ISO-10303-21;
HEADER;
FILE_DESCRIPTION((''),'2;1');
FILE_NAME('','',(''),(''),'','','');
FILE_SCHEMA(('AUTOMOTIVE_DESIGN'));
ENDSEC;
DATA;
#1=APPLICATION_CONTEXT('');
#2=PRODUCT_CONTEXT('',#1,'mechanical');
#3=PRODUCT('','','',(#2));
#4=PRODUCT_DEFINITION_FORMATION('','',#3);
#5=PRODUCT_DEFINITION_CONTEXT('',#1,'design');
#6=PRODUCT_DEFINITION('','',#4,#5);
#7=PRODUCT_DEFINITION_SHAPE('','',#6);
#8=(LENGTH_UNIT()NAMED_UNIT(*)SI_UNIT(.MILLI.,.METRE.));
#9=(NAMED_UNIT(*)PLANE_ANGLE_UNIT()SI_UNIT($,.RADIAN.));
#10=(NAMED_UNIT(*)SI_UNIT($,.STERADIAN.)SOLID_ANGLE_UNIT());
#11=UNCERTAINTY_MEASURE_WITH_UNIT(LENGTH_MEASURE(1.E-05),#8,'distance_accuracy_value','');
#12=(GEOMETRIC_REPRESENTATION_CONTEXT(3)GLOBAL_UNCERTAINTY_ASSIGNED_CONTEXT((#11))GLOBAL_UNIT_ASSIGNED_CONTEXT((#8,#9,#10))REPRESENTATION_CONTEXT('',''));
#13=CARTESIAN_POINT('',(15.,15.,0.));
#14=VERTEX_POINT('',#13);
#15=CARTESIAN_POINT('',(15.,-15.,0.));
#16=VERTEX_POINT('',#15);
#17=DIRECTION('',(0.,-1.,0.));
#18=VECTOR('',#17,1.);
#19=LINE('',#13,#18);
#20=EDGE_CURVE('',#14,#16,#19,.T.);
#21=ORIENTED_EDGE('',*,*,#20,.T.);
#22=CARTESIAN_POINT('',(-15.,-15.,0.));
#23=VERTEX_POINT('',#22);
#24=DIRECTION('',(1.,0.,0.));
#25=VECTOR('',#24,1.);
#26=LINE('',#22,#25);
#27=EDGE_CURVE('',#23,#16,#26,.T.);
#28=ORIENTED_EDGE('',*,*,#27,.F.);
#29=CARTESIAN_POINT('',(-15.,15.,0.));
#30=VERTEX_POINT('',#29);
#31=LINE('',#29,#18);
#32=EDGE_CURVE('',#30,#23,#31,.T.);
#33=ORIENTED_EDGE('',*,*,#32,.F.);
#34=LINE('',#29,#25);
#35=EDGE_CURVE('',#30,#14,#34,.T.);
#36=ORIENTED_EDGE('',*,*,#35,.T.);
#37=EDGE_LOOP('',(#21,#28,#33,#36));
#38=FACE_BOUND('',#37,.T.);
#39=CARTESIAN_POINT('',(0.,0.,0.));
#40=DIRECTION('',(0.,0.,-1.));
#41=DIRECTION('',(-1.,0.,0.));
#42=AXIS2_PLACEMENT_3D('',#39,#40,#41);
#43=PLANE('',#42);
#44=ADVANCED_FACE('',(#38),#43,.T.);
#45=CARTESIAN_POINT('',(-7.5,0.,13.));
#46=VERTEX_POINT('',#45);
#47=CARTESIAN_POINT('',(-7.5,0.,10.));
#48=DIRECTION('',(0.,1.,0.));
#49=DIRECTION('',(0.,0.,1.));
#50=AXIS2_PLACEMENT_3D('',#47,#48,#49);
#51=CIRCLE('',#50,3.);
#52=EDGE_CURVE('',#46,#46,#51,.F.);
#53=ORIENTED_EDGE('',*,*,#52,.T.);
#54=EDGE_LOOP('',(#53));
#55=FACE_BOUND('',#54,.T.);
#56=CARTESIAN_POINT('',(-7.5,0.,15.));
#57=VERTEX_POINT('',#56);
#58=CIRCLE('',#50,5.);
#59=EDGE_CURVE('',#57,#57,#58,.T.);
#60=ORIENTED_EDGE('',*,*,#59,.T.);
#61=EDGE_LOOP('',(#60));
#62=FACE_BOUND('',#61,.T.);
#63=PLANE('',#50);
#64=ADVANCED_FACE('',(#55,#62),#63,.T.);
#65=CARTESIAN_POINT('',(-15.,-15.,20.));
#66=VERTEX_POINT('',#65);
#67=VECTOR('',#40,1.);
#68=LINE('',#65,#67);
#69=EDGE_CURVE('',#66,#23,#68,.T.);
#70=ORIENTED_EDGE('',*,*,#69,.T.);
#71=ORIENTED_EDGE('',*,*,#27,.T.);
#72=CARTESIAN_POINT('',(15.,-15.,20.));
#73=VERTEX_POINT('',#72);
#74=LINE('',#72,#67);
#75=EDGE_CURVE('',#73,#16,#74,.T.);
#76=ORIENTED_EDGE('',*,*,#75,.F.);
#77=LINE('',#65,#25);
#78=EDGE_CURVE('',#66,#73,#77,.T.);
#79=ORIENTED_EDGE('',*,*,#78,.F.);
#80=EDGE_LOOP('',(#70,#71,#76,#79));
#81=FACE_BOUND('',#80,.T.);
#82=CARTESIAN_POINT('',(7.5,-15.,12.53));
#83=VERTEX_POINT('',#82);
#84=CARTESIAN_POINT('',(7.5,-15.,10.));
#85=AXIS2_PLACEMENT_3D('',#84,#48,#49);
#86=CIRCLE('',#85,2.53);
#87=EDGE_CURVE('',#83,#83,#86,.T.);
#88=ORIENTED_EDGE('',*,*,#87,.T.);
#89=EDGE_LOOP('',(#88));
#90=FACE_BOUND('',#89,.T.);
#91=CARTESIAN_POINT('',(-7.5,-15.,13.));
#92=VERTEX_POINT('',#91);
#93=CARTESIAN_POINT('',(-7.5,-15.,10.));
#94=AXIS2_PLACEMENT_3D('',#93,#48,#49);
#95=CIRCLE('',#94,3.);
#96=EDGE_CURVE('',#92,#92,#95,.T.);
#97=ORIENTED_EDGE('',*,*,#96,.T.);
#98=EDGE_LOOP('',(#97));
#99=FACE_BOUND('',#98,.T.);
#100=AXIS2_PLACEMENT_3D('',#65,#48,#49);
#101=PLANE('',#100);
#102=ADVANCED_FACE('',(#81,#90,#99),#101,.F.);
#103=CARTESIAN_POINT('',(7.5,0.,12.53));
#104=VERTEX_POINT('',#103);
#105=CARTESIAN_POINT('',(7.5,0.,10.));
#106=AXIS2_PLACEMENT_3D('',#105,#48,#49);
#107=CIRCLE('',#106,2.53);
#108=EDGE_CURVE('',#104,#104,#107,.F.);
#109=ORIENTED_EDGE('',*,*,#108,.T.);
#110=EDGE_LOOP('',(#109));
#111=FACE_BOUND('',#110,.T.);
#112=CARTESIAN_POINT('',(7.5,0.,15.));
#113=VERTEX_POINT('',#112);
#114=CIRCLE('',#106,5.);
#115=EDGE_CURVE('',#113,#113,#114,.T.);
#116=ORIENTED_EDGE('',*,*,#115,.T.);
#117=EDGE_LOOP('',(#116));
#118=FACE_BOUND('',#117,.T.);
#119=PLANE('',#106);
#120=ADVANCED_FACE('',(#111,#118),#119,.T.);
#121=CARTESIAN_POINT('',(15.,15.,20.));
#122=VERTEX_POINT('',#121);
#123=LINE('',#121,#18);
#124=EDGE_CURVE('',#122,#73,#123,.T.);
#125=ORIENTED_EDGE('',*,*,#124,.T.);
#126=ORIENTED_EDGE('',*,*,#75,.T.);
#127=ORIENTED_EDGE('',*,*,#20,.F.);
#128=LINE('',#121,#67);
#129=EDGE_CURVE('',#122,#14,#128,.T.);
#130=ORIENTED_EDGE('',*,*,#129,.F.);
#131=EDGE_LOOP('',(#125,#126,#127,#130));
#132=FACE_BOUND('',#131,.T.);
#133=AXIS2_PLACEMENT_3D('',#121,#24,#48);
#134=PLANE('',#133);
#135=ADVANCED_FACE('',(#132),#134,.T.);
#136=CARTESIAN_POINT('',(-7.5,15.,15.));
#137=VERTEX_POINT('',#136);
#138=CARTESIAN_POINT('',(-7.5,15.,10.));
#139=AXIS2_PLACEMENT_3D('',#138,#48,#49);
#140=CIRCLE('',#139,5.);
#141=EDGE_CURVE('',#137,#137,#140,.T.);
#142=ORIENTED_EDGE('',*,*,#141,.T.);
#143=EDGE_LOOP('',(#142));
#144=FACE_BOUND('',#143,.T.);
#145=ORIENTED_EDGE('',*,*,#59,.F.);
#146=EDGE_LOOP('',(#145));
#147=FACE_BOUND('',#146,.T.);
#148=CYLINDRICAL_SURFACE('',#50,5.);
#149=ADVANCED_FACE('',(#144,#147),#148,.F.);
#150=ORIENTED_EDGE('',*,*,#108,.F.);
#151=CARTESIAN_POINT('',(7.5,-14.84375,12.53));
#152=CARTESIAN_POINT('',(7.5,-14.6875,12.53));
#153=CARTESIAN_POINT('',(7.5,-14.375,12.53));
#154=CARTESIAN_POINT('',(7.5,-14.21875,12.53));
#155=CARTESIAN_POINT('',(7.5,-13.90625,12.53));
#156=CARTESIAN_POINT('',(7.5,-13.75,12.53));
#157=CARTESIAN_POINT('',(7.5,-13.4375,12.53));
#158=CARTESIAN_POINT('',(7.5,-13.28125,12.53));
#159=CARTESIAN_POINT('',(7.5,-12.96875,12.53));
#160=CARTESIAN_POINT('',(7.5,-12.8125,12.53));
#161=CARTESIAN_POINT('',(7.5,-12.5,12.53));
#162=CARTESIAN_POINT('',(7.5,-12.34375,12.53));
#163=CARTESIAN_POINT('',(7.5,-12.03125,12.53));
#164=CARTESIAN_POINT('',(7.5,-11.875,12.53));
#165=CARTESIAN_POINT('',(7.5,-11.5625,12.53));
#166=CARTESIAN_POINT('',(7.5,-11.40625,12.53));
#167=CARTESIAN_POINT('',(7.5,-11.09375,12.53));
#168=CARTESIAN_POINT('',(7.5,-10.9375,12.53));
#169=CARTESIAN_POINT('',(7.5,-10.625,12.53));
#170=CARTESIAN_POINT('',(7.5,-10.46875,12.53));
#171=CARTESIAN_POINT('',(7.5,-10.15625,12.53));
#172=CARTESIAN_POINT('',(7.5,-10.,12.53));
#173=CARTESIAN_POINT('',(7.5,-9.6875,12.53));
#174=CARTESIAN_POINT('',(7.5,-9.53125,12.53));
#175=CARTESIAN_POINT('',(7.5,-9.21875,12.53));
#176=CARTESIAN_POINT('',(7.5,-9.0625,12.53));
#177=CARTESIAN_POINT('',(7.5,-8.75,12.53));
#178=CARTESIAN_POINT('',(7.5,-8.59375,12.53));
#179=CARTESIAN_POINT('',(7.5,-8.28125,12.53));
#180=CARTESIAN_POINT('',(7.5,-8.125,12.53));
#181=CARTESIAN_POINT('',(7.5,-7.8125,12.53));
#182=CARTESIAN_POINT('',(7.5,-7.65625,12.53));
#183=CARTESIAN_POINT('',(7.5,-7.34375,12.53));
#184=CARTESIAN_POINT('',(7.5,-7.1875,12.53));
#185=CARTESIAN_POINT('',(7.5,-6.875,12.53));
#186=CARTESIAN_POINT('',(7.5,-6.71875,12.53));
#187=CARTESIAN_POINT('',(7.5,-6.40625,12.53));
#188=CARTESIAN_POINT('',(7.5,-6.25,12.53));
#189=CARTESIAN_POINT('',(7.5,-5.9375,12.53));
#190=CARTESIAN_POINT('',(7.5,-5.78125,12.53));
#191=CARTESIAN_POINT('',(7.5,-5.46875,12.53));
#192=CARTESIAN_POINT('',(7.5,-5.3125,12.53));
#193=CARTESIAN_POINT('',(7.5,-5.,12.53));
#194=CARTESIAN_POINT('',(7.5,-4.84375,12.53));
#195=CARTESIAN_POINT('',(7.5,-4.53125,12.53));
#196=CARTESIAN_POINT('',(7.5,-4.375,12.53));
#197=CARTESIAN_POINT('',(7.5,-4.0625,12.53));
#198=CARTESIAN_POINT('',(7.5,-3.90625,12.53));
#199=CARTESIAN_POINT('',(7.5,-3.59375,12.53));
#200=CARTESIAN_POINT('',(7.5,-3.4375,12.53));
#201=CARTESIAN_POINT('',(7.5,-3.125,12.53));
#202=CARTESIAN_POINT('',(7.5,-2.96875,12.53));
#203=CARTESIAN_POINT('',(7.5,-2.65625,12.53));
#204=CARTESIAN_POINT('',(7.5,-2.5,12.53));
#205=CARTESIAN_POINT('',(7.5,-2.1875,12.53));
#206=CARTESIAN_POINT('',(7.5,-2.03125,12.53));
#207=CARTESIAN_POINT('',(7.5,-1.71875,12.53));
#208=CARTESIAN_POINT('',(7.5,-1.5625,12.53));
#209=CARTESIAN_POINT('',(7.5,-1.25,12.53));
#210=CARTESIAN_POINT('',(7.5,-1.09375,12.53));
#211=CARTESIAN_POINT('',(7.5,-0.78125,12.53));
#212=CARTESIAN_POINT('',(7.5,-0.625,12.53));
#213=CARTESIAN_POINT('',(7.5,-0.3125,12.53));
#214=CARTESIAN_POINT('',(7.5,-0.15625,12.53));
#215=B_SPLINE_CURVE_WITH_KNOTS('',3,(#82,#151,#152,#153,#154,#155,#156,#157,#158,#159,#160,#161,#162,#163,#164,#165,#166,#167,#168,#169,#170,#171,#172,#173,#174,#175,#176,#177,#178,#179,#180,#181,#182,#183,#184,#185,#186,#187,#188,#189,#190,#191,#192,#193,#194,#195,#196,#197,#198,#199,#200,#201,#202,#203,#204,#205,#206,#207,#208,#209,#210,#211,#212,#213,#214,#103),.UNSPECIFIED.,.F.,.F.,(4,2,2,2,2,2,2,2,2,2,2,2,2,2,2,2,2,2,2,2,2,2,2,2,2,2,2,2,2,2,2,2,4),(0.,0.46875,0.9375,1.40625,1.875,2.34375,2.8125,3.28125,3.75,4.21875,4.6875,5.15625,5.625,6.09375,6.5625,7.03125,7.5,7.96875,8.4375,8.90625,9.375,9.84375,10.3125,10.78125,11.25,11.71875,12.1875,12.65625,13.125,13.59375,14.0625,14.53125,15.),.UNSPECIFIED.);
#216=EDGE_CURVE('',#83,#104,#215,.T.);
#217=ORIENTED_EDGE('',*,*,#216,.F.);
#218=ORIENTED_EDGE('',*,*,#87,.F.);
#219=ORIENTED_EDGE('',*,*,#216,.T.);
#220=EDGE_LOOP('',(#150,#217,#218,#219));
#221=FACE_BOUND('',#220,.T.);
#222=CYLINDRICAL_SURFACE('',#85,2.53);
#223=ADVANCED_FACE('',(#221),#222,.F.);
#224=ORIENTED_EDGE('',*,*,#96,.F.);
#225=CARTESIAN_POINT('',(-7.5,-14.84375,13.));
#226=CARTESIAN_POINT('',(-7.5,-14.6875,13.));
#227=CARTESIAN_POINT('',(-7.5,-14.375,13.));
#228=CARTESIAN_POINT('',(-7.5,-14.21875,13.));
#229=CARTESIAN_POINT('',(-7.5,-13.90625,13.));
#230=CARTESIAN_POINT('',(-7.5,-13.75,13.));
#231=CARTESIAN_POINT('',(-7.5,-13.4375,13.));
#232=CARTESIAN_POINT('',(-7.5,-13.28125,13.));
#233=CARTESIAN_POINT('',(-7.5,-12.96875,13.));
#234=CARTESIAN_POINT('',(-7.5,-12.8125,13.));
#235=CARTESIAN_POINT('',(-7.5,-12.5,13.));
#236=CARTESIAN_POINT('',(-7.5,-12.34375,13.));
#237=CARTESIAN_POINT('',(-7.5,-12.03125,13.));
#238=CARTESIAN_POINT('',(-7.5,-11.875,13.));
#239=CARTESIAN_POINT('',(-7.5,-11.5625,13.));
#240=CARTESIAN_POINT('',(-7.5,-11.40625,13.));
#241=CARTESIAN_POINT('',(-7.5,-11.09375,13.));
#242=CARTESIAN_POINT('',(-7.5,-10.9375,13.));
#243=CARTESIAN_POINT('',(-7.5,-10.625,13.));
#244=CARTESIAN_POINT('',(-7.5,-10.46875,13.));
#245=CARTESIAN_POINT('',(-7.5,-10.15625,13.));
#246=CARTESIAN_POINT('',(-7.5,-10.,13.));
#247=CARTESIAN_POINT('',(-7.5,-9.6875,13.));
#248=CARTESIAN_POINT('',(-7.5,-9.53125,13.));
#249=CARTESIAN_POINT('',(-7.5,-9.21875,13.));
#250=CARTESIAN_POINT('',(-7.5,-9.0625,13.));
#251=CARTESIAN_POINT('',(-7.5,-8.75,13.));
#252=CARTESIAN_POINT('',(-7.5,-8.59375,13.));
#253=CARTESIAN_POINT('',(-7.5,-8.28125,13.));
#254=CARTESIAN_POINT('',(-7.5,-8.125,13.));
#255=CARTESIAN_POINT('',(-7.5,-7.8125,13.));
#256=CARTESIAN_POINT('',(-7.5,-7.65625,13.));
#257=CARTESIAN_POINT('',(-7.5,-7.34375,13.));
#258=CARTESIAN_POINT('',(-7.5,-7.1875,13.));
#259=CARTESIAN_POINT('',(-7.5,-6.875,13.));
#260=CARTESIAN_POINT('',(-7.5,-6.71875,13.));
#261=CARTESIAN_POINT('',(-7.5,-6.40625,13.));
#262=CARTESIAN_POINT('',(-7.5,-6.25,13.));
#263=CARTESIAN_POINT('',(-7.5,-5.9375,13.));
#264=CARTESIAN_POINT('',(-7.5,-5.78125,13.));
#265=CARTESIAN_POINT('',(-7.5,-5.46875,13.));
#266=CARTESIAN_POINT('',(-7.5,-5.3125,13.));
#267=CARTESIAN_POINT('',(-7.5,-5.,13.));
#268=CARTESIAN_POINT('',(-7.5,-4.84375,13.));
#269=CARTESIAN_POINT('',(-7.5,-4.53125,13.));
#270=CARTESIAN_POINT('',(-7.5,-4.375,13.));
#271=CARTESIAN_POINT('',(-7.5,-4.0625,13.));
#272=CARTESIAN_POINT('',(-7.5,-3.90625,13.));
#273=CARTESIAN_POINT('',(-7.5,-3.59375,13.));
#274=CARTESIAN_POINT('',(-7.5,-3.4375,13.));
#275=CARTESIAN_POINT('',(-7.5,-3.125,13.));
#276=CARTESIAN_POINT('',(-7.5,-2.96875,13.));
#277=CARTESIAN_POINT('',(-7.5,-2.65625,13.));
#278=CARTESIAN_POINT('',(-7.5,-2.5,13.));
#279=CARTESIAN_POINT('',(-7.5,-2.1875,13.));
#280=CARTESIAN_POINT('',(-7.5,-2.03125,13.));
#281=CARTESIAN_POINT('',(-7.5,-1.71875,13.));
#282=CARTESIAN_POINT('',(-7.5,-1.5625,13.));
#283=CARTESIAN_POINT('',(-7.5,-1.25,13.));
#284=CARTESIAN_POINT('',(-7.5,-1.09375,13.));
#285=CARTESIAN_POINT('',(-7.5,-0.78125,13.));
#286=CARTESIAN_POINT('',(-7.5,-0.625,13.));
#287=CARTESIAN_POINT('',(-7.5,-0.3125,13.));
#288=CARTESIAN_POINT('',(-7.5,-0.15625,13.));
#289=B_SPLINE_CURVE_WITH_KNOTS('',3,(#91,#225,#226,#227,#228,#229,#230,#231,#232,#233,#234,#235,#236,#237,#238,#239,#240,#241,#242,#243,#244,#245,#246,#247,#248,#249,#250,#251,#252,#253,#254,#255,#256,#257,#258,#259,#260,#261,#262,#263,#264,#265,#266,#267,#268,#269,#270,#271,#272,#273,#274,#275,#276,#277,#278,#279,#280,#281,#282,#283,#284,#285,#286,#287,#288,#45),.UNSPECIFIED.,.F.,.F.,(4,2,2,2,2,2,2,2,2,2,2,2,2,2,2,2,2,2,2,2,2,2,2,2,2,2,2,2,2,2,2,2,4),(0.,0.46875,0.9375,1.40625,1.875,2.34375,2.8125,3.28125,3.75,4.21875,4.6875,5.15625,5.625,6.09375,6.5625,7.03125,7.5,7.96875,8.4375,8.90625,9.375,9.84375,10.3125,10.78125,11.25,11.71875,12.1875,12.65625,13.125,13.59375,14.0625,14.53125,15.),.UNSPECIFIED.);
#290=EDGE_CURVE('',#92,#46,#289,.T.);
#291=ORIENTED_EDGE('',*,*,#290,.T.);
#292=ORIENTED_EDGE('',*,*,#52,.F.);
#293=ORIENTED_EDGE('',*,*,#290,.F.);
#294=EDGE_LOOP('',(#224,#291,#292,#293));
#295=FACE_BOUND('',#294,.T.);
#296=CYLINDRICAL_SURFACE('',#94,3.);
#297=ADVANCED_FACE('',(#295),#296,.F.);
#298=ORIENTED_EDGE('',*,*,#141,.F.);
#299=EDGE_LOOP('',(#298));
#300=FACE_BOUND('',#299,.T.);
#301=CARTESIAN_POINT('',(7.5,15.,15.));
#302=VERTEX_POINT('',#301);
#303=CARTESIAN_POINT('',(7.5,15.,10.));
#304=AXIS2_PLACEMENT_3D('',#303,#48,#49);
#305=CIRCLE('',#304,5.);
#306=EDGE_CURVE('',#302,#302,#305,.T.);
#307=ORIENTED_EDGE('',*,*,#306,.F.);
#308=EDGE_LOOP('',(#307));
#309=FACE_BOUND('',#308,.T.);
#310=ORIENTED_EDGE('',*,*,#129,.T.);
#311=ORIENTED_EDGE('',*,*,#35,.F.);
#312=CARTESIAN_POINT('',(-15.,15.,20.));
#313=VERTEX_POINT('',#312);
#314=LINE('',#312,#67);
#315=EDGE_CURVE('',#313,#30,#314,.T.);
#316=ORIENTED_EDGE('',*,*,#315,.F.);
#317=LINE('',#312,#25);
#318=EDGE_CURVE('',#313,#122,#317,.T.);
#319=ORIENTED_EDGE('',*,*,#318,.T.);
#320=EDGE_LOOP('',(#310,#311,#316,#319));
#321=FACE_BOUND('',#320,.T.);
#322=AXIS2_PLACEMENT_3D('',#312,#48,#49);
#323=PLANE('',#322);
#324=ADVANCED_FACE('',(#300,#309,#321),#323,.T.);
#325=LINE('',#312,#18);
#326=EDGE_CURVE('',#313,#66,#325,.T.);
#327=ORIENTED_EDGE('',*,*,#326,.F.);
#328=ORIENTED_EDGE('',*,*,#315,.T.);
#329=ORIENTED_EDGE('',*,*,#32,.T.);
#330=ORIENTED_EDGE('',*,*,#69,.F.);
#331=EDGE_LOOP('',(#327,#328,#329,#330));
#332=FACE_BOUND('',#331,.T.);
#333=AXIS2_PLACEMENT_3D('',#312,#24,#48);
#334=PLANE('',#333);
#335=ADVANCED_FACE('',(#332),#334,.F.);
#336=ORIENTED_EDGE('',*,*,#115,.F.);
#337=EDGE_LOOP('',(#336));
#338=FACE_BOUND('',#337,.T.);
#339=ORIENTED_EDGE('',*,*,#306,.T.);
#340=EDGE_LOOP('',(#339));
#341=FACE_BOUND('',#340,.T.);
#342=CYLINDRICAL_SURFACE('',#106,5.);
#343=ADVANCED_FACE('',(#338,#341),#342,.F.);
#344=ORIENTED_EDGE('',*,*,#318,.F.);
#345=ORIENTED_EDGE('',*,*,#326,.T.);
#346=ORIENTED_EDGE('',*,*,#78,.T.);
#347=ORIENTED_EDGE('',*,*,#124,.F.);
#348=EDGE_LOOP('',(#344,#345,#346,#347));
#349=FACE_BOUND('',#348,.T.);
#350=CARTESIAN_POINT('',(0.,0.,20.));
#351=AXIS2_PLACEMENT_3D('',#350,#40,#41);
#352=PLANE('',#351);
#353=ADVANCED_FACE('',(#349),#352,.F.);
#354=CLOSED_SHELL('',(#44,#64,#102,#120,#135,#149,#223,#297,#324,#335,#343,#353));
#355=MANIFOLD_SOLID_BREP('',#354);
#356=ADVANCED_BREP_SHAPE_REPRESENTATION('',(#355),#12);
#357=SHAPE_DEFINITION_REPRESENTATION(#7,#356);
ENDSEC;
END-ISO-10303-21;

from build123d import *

# Parameters (mm, degrees)
SKETCH1_W           = 30
SKETCH1_H           = 30
BOSS_EXTRUDE1_DEPTH = 20
SKETCH2_R           = 3
SKETCH2_R_2         = 2.53
CUT_EXTRUDE1_DEPTH  = 40.05124838
SKETCH3_R           = 5
CUT_EXTRUDE2_DEPTH  = 15


with BuildPart() as part:
    # Sketch1 → Boss-Extrude1 (new body)
    with BuildSketch(Plane.XY):
        Rectangle(SKETCH1_W, SKETCH1_H)
    extrude(amount=BOSS_EXTRUDE1_DEPTH)

    # Sketch2 → Cut-Extrude1 (cut, through all)
    with BuildSketch(Plane(origin=(0, 15, 0), x_dir=(1, 0, 0), z_dir=(0, 1, 0))):
        with Locations(Location((-7.5, -10, 0), (0, 0, 270))):
            Circle(SKETCH2_R)
        with Locations(Location((7.5, -10, 0), (0, 0, 270))):
            Circle(SKETCH2_R_2)
    extrude(amount=-CUT_EXTRUDE1_DEPTH, mode=Mode.SUBTRACT)

    # Sketch3 → Cut-Extrude2 (cut)
    with BuildSketch(Plane(origin=(0, 15, 0), x_dir=(1, 0, 0), z_dir=(0, 1, 0))):
        with Locations(Location((-7.5, -10, 0), (0, 0, 270))):
            Circle(SKETCH3_R)
        with Locations(Location((7.5, -10, 0), (0, 0, 270))):
            Circle(SKETCH3_R)
    extrude(amount=-CUT_EXTRUDE2_DEPTH, mode=Mode.SUBTRACT)


solid = part.part
